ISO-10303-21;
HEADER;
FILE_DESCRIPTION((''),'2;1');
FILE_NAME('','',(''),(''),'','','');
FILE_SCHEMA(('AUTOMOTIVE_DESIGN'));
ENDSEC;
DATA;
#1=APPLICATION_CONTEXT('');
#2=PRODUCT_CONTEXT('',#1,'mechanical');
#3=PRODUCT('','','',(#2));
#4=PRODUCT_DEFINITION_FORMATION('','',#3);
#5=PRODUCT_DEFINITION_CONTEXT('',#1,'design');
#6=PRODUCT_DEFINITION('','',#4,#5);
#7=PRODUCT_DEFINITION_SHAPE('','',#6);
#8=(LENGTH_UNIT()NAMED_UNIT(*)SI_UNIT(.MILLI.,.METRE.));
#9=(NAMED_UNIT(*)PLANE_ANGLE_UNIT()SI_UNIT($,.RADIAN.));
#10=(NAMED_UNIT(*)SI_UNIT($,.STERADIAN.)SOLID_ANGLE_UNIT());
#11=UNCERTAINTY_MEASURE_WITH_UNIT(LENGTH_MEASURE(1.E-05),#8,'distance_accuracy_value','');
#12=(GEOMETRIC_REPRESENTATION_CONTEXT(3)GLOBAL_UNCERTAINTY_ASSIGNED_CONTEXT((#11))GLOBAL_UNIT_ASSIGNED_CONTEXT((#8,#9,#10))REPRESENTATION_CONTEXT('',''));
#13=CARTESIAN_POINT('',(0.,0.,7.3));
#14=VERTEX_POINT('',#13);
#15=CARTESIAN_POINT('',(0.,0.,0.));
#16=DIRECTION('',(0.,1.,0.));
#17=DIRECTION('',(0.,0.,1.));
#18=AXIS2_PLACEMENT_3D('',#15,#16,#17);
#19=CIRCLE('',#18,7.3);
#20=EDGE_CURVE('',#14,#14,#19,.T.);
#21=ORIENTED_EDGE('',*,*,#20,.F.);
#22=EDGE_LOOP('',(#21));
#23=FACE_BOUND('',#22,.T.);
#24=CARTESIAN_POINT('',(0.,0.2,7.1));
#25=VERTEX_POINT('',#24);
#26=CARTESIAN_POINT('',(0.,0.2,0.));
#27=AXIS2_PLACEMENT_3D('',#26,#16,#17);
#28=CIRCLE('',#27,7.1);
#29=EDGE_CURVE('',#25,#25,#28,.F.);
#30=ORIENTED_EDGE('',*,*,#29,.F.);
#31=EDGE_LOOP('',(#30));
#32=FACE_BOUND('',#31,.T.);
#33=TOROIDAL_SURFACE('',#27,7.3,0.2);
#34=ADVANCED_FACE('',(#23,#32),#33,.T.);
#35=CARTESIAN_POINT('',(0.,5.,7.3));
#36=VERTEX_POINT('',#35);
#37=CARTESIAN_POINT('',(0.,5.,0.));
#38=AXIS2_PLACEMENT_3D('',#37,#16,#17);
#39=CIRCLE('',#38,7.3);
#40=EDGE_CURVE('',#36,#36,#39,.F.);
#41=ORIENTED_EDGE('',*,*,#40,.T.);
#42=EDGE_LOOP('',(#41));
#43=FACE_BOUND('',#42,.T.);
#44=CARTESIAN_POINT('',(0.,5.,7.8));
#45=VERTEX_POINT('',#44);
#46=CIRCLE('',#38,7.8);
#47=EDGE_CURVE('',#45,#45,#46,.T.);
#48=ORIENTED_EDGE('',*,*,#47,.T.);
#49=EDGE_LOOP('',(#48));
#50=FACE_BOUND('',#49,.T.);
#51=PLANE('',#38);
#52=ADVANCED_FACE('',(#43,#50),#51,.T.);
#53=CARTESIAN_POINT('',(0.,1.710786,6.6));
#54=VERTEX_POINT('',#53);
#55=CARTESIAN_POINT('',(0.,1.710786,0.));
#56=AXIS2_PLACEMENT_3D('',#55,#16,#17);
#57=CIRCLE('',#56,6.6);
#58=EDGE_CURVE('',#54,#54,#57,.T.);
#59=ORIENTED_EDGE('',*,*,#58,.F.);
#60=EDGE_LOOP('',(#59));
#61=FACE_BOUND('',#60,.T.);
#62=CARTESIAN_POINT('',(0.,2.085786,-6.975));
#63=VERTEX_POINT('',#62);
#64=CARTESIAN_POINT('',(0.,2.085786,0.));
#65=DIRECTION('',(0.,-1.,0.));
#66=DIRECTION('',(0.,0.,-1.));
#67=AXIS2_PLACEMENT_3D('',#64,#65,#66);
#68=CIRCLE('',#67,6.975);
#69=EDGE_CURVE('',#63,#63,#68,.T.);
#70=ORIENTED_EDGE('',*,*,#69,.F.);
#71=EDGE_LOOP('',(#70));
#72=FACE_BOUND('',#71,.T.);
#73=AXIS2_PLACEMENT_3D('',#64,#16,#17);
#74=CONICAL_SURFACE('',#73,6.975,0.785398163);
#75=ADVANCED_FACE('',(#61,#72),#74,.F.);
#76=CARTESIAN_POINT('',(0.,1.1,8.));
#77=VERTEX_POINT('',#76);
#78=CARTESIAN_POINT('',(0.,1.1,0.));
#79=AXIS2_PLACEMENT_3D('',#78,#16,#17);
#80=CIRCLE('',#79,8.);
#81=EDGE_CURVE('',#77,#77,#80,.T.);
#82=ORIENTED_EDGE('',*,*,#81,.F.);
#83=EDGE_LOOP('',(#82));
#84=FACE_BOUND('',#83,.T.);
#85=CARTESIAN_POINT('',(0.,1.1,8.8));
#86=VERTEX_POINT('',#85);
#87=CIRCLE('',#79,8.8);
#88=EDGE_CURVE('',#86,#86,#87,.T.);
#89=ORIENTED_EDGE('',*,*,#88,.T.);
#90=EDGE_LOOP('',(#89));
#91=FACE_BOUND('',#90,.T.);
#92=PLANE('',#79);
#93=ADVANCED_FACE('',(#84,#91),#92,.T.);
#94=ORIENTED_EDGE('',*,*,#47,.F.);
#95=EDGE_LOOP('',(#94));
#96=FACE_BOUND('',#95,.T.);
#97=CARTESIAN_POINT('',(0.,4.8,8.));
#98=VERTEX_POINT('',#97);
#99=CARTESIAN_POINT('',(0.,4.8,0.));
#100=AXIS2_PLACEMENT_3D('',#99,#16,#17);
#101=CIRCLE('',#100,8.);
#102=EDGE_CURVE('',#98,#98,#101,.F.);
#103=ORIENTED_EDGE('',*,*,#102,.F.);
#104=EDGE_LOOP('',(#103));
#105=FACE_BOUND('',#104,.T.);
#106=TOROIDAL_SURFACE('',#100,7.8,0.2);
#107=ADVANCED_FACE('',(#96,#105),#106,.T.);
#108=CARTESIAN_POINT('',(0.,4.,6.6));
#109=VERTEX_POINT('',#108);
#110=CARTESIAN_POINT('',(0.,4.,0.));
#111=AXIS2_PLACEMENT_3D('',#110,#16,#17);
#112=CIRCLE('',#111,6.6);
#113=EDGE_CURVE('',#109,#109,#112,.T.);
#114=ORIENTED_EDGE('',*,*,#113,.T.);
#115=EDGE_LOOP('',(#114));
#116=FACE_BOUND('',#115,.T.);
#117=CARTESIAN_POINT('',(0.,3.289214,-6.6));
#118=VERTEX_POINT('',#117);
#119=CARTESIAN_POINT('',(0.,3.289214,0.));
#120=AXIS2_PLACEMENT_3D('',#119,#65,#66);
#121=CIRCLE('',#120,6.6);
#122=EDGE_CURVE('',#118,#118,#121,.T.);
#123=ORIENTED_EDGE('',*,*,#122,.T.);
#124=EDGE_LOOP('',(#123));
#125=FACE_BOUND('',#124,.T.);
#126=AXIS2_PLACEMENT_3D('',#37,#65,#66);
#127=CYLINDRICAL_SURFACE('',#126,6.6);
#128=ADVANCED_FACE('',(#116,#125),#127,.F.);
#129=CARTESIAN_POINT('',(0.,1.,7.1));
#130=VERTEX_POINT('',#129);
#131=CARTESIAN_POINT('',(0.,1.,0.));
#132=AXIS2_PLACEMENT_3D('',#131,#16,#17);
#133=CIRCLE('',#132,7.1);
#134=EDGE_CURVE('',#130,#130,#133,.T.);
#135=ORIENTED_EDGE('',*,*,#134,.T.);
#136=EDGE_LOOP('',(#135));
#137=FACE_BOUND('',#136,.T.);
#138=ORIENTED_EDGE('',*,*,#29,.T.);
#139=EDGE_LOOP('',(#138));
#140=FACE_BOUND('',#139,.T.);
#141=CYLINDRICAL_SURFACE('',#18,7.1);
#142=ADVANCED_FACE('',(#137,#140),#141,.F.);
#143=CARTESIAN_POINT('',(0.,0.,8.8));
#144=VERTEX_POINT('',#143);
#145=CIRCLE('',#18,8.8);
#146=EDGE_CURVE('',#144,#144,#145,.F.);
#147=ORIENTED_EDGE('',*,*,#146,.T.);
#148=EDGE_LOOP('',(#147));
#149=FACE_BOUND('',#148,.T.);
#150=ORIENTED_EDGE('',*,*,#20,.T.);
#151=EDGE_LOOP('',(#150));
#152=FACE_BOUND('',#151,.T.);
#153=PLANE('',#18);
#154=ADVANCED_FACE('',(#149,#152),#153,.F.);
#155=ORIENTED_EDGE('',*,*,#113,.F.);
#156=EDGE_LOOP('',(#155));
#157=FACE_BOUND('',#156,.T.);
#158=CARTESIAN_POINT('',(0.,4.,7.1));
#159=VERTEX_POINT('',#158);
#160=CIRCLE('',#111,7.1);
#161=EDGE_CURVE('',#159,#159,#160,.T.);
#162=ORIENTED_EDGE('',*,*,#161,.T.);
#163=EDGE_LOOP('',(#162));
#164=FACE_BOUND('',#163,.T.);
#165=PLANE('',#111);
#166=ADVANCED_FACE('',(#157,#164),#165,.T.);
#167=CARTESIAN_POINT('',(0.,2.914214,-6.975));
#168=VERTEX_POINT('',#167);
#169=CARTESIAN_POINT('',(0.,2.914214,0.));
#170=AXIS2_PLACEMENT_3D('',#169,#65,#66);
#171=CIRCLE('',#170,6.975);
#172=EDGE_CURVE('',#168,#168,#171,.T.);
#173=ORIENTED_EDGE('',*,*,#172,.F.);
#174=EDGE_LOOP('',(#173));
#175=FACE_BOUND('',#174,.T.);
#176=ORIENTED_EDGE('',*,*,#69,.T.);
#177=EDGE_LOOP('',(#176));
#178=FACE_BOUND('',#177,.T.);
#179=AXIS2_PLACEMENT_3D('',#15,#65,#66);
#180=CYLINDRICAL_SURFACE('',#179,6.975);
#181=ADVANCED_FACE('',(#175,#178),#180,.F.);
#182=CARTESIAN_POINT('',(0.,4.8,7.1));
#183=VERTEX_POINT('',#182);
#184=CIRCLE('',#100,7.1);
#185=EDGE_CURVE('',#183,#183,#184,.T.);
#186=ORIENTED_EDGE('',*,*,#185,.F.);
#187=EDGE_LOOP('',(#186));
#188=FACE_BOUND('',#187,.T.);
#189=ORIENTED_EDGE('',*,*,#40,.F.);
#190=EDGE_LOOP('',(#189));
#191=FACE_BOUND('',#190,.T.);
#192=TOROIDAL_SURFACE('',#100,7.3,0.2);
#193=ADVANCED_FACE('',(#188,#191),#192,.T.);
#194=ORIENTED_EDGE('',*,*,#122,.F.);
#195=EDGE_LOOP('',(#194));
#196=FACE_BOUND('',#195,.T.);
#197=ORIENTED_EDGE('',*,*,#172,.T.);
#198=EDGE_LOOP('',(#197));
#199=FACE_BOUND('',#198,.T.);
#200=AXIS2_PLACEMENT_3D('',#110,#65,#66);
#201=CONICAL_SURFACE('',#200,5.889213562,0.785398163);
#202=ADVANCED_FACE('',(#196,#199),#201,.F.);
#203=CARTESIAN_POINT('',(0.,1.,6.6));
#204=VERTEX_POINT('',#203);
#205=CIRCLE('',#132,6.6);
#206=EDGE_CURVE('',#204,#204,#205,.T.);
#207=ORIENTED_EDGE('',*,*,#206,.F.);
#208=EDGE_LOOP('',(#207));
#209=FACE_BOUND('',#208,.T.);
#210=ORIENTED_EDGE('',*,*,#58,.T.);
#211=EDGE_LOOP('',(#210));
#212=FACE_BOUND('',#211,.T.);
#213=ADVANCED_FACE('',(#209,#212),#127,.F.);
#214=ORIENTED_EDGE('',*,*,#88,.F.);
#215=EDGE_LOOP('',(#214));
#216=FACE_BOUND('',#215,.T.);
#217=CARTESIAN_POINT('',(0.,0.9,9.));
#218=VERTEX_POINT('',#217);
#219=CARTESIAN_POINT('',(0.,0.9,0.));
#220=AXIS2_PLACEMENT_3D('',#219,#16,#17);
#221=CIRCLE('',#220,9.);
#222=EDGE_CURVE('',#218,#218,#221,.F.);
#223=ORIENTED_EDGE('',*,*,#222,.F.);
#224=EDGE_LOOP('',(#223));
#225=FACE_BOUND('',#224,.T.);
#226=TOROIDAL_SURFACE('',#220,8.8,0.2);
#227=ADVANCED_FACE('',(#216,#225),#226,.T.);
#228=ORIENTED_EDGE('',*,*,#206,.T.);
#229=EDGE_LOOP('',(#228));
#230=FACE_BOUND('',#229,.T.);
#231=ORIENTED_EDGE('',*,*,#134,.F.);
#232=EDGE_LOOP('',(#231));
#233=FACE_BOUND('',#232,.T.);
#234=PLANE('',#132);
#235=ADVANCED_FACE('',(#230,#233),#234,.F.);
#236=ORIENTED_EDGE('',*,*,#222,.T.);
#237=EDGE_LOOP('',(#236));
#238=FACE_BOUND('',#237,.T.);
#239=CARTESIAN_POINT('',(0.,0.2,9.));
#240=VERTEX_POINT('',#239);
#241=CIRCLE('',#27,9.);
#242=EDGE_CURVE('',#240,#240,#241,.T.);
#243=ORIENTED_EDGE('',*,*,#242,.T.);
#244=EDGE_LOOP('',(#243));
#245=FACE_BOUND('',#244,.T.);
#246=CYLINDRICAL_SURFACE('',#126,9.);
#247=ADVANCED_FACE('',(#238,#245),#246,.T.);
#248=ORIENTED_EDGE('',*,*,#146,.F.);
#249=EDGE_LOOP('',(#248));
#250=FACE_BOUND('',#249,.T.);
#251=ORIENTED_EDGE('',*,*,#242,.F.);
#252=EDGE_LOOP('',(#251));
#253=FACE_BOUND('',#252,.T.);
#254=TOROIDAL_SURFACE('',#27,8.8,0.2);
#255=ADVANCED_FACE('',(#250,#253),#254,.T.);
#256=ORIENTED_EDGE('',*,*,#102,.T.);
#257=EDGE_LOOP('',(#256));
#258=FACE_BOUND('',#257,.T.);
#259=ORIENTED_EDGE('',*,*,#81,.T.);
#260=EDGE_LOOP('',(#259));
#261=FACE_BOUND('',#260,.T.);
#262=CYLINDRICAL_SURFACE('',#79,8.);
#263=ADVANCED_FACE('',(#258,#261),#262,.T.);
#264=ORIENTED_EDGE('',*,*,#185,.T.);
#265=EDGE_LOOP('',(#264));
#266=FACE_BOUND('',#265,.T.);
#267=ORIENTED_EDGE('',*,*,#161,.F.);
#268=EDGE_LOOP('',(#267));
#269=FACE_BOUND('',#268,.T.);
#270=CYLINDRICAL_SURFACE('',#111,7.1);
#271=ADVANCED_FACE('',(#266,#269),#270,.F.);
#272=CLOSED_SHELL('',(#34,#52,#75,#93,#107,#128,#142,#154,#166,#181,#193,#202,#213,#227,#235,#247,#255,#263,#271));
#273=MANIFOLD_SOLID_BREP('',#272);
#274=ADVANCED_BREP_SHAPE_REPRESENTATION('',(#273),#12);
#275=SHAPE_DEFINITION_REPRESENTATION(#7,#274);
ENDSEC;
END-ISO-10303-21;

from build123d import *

# Parameters (mm, degrees)
IZIM1_R                     = 9
IZIM1_R_2                   = 6.6
Y_KSEKLIK_EKSTR_ZYON1_DEPTH = 5
IZIM2_R                     = 9
IZIM2_R_2                   = 8
KES_EKSTR_ZYON1_DEPTH       = 3.9
IZIM3_R                     = 7.1
KES_EKSTR_ZYON2_DEPTH       = 1
L_O_ALTMA1_COUNT            = 2
L_O_ALTMA1_PITCH            = 4
RADYUS1_R                   = 0.2


with BuildPart() as part:
    # Çizim1 → Yükseklik-Ekstrüzyon1 (new body)
    with BuildSketch(Plane(origin=(0, 0, 0), x_dir=(1, 0, 0), z_dir=(0, 1, 0))):
        Circle(IZIM1_R)
        Circle(IZIM1_R_2, mode=Mode.SUBTRACT)
    extrude(amount=Y_KSEKLIK_EKSTR_ZYON1_DEPTH)

    # Çizim2 → Kes-Ekstrüzyon1 (cut)
    with BuildSketch(Plane(origin=(0, 5, 0), x_dir=(1, 0, 0), z_dir=(0, 1, 0))):
        Circle(IZIM2_R)
        Circle(IZIM2_R_2, mode=Mode.SUBTRACT)
    extrude(amount=-KES_EKSTR_ZYON1_DEPTH, mode=Mode.SUBTRACT)

    # Çizim3 → Kes-Ekstrüzyon2 (cut)
    with BuildSketch(Plane(origin=(0, 5, 0), x_dir=(1, 0, 0), z_dir=(0, 1, 0))):
        Circle(IZIM3_R)
    kes_ekstr_zyon2 = extrude(amount=-KES_EKSTR_ZYON2_DEPTH, mode=Mode.SUBTRACT)

    # LÇoğaltma1: Kes-Ekstrüzyon2 ×2
    with Locations(*[(0, -i * L_O_ALTMA1_PITCH, 0) for i in range(1, L_O_ALTMA1_COUNT)]):
        add(kes_ekstr_zyon2, mode=Mode.SUBTRACT)

    # Çizim5 → Kes-Döndür1 (revolve, cut)
    with BuildSketch(Plane.XY):
        Polygon((-6.975, 2.914213562), (-6.975, 2.085786438), (-5.889213562, 1), (-5.889213562, 4), align=None)
    revolve(axis=Axis((0, 0, 0), (0, 1, 0)), mode=Mode.SUBTRACT)

    # Radyus1
    radyus1_edges = [part.edges().sort_by_distance(p)[0] for p in [
        (-9, 1.1, 0),
        (-8, 5, 0),
        (-7.1, 5, 0),
        (-9, 0, 0),
        (-7.1, 0, 0),
    ]]
    fillet(radyus1_edges, radius=RADYUS1_R)


solid = part.part
